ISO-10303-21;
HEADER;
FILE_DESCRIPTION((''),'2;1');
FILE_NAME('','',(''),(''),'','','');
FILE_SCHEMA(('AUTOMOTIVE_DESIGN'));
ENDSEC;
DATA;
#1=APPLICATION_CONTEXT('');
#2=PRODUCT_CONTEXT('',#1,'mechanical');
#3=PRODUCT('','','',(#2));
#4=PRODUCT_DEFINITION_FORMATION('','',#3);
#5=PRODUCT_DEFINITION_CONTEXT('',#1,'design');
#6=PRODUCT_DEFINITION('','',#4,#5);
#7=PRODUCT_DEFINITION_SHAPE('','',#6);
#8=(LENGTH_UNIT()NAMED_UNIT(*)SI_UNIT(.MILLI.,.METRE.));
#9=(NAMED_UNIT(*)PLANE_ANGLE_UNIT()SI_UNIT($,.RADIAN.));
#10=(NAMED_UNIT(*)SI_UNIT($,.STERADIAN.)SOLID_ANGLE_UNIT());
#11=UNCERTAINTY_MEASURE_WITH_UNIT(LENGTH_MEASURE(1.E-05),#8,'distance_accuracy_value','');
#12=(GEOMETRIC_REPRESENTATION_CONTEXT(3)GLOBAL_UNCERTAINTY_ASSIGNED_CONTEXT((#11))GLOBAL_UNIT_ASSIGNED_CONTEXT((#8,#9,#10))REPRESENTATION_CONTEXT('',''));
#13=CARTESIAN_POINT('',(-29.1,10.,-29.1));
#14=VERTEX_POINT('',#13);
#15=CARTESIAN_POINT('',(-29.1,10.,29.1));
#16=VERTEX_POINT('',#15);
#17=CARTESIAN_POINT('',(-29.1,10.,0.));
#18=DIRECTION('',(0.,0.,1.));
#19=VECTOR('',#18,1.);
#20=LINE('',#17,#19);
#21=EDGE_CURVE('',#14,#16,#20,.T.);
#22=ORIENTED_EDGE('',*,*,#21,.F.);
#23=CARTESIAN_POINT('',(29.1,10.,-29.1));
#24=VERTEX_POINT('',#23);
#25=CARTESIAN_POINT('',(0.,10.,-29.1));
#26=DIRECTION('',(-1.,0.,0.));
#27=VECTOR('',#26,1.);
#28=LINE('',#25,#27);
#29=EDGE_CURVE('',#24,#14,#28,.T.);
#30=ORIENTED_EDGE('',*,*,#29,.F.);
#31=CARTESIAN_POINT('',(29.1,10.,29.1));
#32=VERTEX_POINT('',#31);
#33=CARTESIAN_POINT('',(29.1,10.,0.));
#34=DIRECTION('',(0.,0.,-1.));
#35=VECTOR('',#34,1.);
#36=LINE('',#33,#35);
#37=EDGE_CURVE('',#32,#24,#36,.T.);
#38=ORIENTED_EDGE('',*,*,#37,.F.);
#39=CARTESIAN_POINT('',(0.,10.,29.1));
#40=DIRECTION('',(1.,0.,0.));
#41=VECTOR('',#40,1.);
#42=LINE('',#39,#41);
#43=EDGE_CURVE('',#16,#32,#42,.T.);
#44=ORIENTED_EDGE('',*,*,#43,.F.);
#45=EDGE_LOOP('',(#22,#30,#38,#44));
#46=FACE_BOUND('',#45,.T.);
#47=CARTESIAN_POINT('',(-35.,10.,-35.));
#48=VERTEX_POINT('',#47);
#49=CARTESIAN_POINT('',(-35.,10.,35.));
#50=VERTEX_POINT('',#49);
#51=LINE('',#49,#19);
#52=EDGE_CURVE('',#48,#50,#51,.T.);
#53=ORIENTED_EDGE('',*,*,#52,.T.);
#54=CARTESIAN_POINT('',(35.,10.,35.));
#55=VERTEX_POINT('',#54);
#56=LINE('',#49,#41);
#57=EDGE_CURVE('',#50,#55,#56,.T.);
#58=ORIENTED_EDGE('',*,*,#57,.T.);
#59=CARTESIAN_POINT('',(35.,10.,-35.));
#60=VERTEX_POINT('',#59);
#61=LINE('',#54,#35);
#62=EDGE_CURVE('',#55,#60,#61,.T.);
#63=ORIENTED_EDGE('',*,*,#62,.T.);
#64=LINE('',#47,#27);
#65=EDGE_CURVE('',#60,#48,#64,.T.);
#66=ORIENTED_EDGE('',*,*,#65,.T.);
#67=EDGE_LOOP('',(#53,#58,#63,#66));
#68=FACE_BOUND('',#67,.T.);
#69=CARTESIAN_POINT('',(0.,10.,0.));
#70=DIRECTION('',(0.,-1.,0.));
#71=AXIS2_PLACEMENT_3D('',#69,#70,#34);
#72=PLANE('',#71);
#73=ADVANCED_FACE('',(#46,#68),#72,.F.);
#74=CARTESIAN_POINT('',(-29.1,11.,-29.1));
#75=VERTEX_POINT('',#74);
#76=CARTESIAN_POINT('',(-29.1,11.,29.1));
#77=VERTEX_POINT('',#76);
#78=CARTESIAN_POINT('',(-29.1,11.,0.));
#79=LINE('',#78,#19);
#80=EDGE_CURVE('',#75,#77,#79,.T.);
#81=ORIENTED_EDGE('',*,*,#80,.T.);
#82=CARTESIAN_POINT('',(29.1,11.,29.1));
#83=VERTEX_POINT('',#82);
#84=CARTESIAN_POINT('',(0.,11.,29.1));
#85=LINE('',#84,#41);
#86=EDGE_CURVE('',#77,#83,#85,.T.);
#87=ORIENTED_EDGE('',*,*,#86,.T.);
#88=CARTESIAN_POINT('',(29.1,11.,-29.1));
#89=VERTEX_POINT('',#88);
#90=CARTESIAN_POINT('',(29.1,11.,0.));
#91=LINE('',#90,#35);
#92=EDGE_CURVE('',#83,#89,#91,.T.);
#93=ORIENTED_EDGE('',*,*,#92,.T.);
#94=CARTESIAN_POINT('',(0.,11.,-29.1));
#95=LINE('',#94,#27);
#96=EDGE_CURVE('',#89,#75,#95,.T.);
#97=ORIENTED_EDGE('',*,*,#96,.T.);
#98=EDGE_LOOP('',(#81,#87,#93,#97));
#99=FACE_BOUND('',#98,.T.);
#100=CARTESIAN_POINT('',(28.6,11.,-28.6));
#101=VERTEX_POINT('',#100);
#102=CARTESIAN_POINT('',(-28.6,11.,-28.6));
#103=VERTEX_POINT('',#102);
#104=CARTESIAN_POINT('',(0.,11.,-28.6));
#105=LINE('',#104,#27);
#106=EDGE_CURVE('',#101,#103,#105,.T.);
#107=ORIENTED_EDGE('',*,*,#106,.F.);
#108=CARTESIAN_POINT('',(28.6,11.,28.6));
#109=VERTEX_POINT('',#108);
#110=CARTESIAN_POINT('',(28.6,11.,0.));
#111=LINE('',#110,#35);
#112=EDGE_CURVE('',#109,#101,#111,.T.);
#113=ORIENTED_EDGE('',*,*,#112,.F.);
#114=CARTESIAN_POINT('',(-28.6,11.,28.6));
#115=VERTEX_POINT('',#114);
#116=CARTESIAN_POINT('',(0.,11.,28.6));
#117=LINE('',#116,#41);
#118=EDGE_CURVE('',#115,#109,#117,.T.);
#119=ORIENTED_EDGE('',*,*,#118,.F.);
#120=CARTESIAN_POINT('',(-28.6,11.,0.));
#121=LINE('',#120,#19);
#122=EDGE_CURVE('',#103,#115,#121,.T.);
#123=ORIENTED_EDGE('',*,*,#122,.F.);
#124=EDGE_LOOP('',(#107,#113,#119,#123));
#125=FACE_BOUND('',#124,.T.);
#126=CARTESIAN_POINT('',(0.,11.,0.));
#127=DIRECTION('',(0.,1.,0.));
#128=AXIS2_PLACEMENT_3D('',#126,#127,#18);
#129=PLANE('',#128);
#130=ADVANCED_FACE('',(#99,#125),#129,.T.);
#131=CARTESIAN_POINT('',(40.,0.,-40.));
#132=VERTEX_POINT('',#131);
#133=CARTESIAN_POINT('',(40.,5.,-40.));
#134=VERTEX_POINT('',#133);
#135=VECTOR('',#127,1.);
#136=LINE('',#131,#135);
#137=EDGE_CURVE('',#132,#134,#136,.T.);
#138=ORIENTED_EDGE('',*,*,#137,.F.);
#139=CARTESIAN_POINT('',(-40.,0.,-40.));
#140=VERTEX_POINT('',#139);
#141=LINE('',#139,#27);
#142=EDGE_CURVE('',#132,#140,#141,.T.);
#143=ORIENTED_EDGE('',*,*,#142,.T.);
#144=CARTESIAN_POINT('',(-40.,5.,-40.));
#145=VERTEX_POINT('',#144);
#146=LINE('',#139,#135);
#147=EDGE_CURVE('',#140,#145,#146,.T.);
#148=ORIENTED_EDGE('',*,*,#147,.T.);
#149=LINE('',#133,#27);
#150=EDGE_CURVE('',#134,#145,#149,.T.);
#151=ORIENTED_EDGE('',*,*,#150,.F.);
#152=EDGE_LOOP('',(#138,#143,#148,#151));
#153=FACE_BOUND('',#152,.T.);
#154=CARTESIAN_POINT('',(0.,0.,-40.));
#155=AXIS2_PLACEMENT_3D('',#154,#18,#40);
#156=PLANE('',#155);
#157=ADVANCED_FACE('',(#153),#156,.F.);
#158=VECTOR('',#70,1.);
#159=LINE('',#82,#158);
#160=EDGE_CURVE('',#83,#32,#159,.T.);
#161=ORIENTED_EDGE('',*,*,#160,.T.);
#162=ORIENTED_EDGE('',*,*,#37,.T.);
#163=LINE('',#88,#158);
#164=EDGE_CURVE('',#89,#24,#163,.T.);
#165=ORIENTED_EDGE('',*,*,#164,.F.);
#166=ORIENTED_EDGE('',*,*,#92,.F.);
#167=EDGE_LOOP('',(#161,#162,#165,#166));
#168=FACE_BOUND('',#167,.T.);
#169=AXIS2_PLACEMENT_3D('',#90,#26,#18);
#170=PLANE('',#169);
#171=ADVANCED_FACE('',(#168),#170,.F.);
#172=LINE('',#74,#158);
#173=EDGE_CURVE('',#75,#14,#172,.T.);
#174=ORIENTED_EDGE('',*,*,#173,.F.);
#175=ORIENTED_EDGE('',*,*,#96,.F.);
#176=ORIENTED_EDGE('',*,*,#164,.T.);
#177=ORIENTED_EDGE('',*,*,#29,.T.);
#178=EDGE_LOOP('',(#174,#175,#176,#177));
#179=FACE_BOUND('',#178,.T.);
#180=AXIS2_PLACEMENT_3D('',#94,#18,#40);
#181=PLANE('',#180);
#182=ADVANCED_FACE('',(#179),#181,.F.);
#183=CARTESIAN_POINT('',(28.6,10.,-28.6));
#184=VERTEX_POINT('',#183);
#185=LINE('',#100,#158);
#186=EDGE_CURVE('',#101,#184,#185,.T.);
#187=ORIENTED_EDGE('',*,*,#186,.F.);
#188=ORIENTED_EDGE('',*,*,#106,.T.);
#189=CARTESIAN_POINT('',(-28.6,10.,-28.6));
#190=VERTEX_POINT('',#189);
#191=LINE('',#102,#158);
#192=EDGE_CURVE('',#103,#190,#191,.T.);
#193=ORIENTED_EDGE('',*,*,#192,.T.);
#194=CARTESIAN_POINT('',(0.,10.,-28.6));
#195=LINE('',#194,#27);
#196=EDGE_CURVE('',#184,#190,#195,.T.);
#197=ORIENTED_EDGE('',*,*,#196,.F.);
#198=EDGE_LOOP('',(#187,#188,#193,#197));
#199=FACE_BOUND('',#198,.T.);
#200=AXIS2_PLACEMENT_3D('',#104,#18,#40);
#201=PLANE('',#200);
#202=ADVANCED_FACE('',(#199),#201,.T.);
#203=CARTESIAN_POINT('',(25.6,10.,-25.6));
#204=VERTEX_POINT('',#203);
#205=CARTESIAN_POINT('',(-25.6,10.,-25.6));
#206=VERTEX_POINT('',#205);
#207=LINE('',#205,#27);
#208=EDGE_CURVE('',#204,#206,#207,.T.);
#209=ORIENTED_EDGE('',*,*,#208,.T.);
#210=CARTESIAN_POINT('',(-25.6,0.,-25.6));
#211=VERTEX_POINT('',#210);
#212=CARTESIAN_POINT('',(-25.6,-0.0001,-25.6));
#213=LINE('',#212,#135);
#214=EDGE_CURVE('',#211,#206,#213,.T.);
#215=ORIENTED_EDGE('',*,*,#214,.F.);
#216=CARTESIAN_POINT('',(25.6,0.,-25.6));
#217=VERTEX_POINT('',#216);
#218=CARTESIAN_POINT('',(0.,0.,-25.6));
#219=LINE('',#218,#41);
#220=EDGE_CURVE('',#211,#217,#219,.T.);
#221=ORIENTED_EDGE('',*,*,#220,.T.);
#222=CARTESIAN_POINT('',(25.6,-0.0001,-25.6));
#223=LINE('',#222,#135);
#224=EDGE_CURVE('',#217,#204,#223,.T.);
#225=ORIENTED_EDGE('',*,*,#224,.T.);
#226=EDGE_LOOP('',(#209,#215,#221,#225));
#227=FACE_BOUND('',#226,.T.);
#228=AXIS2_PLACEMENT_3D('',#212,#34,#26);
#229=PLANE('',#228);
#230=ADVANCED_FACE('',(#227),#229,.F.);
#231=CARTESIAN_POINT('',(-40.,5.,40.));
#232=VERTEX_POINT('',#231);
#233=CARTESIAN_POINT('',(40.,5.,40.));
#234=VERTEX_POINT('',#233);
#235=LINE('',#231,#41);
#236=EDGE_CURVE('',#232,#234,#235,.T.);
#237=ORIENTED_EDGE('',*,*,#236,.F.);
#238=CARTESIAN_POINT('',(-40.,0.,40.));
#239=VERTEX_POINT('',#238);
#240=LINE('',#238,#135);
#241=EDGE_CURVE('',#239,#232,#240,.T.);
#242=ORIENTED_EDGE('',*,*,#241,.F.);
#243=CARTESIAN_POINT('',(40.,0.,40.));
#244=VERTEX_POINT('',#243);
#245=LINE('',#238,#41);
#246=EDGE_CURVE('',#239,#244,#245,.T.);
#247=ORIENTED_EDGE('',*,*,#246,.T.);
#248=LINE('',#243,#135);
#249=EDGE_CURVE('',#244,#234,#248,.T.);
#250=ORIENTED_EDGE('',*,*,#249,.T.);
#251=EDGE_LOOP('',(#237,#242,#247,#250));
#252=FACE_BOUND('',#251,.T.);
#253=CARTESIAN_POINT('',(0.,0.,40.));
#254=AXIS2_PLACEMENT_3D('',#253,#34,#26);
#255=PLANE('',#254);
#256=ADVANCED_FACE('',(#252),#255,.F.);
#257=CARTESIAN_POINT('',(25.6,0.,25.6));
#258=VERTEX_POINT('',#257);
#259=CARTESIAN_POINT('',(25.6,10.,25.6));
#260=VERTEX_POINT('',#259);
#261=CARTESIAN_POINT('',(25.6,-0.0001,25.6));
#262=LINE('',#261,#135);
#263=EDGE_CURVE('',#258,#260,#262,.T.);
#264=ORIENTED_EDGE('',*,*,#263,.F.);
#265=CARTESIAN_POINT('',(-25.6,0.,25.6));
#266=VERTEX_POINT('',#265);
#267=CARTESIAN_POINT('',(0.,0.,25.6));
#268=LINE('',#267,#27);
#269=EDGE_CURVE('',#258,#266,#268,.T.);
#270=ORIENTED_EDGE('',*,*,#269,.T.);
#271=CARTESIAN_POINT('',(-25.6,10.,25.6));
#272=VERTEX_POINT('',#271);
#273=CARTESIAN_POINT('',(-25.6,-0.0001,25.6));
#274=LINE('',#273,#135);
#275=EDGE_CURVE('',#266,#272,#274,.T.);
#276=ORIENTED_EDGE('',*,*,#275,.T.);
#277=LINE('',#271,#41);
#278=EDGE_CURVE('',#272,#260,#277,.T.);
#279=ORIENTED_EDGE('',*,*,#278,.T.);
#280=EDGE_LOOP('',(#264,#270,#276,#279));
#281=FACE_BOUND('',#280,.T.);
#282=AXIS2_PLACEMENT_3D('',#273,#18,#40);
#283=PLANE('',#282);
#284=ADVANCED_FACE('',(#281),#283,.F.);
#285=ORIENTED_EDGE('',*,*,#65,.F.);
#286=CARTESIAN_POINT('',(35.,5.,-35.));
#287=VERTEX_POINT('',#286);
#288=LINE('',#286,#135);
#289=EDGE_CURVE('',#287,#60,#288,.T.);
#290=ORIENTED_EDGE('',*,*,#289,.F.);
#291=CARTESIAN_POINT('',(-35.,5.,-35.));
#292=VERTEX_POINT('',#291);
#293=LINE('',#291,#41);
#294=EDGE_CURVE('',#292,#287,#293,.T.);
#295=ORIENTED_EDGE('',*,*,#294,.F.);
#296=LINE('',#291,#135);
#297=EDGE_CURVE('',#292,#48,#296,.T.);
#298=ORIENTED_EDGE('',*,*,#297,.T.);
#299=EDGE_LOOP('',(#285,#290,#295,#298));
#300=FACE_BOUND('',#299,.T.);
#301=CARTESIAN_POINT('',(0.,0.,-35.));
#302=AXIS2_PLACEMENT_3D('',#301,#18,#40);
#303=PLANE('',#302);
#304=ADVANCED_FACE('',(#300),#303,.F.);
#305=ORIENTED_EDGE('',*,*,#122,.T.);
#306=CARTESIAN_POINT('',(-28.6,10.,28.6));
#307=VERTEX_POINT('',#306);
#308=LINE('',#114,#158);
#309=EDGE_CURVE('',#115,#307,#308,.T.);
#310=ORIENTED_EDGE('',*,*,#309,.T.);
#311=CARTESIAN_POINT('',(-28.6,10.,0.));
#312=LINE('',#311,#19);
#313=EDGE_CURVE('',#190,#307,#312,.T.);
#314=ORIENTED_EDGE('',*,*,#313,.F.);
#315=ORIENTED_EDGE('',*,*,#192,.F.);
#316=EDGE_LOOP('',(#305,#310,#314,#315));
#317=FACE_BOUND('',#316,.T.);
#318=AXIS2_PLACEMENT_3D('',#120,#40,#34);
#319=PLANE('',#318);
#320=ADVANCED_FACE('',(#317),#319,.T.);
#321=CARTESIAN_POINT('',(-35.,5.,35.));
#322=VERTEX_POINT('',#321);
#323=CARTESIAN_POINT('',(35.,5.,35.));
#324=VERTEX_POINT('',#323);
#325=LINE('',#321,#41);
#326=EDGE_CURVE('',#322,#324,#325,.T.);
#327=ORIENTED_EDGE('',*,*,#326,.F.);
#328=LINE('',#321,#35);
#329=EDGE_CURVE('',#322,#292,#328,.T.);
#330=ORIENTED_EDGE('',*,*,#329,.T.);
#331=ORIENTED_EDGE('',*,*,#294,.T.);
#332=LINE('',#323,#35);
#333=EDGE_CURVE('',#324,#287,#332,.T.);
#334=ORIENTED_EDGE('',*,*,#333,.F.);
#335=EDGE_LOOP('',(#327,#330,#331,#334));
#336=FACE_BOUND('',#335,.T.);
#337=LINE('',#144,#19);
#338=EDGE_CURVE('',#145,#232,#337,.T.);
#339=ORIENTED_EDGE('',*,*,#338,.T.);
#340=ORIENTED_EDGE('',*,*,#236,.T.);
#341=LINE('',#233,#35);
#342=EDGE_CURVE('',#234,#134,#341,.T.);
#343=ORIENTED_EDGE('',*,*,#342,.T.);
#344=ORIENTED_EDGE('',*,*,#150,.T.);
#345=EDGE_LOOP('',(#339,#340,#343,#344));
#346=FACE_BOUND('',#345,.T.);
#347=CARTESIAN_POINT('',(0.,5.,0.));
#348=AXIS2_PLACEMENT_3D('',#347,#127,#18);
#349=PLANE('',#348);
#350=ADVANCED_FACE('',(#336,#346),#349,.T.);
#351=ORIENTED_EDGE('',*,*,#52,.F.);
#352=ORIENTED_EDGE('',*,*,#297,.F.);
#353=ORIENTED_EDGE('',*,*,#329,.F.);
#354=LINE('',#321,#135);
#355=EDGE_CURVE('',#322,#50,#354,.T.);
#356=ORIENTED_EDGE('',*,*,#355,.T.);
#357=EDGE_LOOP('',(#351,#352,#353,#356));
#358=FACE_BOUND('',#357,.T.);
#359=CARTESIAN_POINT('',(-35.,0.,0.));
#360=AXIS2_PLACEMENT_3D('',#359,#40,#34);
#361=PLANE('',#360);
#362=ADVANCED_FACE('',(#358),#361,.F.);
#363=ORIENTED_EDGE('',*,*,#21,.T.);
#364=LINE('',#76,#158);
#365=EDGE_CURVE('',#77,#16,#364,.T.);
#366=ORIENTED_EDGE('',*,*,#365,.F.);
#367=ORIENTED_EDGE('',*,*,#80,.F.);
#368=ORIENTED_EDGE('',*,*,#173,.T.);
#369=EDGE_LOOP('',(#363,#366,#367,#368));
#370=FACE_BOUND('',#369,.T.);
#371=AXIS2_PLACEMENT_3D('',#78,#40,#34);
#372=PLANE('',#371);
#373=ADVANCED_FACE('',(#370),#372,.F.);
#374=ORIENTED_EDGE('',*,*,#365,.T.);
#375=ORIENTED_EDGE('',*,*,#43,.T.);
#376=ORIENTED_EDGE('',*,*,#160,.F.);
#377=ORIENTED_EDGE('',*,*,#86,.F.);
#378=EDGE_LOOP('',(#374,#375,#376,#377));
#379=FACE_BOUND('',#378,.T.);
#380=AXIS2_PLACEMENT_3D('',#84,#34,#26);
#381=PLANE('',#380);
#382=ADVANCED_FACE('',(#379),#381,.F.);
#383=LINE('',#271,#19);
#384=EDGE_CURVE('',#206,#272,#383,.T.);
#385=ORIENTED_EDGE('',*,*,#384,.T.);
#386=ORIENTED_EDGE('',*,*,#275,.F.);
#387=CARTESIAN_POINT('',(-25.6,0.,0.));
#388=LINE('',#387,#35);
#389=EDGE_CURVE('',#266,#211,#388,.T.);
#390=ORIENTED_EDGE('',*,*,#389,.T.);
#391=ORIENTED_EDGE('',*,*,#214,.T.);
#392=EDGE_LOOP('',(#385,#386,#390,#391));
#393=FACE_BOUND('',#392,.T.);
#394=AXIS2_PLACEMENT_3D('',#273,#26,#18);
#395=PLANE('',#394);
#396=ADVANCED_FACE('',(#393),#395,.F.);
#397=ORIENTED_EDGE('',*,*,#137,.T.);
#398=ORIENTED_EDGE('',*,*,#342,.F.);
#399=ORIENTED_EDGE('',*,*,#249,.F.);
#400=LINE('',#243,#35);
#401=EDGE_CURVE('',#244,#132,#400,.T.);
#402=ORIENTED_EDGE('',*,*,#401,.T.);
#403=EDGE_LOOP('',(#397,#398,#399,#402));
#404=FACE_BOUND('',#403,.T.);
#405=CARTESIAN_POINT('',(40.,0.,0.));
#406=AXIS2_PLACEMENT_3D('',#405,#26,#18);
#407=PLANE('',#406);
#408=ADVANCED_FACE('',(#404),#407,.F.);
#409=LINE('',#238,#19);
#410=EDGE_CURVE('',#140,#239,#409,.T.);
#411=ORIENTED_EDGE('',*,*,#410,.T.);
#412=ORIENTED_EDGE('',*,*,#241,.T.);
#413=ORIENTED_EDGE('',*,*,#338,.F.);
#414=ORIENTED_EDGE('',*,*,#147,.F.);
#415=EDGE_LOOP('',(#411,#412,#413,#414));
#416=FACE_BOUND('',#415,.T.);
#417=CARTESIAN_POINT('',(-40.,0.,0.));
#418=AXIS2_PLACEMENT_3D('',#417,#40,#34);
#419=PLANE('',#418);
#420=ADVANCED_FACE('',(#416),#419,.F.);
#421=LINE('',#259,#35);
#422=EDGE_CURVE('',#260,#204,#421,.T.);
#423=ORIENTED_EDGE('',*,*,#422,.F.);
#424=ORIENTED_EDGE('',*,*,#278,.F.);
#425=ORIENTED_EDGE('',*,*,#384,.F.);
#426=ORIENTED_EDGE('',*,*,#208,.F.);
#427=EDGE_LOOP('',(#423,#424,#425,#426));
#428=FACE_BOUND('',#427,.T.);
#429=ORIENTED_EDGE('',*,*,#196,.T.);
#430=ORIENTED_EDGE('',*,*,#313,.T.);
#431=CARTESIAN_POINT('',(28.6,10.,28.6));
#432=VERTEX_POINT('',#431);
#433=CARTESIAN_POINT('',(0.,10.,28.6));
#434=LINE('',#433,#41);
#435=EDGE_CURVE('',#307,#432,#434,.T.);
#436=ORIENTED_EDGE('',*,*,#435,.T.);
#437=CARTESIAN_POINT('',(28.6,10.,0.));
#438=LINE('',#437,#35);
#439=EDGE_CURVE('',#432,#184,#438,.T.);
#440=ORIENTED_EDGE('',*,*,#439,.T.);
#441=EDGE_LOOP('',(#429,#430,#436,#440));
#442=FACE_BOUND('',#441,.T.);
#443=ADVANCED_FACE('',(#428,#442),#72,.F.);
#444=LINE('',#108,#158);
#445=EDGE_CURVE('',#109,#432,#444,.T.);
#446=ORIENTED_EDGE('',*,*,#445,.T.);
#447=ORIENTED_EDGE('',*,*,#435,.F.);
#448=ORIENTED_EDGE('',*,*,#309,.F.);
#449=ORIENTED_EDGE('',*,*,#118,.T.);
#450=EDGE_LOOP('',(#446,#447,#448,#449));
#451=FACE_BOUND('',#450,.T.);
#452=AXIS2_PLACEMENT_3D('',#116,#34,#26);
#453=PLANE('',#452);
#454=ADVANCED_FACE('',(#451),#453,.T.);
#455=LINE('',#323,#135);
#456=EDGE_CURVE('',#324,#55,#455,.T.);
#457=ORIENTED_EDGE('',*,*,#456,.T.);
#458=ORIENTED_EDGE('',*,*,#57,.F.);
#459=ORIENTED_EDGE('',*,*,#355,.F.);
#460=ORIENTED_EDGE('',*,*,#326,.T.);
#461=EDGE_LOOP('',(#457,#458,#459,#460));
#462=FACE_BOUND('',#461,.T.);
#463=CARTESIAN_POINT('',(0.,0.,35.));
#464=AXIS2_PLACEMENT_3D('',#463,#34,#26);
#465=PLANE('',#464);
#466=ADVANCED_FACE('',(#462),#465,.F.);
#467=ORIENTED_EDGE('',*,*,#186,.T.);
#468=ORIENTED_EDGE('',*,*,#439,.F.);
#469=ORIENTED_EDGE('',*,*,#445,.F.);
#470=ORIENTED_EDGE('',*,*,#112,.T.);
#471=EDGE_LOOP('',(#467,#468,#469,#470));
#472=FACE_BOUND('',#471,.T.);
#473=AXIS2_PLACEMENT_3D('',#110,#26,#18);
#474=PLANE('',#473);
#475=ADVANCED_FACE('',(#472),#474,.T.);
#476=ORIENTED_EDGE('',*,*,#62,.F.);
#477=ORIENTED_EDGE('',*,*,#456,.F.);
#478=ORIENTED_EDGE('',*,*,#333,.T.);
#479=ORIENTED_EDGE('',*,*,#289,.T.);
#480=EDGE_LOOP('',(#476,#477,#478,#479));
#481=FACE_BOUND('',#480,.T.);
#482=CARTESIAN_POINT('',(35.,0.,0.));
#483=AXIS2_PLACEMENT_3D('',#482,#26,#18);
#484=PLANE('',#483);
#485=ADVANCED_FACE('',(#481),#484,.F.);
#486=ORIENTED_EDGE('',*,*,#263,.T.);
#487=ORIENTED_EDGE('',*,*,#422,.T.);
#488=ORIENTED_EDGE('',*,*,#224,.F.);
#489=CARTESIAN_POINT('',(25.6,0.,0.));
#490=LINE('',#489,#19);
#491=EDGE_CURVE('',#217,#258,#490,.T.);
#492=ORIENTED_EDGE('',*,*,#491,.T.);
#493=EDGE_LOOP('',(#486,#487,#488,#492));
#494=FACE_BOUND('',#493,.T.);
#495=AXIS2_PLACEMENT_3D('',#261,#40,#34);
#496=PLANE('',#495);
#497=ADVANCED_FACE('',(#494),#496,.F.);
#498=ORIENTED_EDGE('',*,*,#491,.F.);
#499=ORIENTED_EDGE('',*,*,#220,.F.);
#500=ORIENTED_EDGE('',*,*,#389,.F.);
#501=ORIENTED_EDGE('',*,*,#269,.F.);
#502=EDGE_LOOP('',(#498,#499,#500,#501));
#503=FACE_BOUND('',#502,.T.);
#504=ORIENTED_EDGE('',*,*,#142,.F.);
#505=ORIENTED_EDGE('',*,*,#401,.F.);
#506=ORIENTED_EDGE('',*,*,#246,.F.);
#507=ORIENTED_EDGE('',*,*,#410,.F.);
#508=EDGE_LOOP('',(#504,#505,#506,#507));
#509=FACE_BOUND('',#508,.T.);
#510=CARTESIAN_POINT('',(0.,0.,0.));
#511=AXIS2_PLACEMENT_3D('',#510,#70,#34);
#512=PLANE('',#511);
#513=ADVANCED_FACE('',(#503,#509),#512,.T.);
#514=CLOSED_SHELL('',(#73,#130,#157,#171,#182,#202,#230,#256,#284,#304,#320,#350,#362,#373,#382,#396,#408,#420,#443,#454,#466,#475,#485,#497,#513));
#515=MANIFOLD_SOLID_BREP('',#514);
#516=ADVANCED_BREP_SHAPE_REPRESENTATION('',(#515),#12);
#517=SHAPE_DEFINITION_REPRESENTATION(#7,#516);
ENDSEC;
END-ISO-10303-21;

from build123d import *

# Parameters (mm, degrees)
SKETCH_4_W          = 51.2
SKETCH_4_H          = 51.2
CUT_EXTRUDE_1_DEPTH = 58.445626622
SKETCH_5_W          = 58.2
SKETCH_5_H          = 58.2
SKETCH_5_W_2        = 57.2
SKETCH_5_H_2        = 57.2
EXTRUDE_1_DEPTH     = 1


with BuildPart() as part:
    # Эскиз1 → По сечениям1 section 0
    with BuildSketch(Plane(origin=(0, 0, 0), x_dir=(1, 0, 0), z_dir=(0, 1, 0))):
        with BuildLine():
            Line((-40, -40), (40, -40))
            Line((40, -40), (40, 40))
            Line((40, 40), (-40, 40))
            Line((-40, 40), (-40, -40))
        make_face()
    # Эскиз2 → По сечениям1 section 1
    with BuildSketch(Plane(origin=(0, 5, 0), x_dir=(1, 0, 0), z_dir=(0, 1, 0))):
        with BuildLine():
            Line((-40, -40), (40, -40))
            Line((40, -40), (40, 40))
            Line((40, 40), (-40, 40))
            Line((-40, 40), (-40, -40))
        make_face()
    loft()

    # Эскиз2<3> → По сечениям2 section 0
    with BuildSketch(Plane(origin=(0, 5, 0), x_dir=(1, 0, 0), z_dir=(0, 1, 0))):
        with BuildLine():
            Line((-35, -35), (35, -35))
            Line((35, -35), (35, 35))
            Line((35, 35), (-35, 35))
            Line((-35, 35), (-35, -35))
        make_face()
    # Эскиз3 → По сечениям2 section 1
    with BuildSketch(Plane(origin=(0, 10, 0), x_dir=(1, 0, 0), z_dir=(0, 1, 0))):
        with BuildLine():
            Line((-35, -35), (35, -35))
            Line((35, -35), (35, 35))
            Line((35, 35), (-35, 35))
            Line((-35, 35), (-35, -35))
        make_face()
    loft()

    # Эскиз4 → Вырез-Вытянуть1 (cut, through all)
    with BuildSketch(Plane(origin=(0, 10, 0), x_dir=(1, 0, 0), z_dir=(0, 1, 0))):
        Rectangle(SKETCH_4_W, SKETCH_4_H)
    extrude(amount=-CUT_EXTRUDE_1_DEPTH, mode=Mode.SUBTRACT)

    # Эскиз5 → Бобышка-Вытянуть1 (add)
    with BuildSketch(Plane(origin=(0, 10, 0), x_dir=(1, 0, 0), z_dir=(0, 1, 0))):
        Rectangle(SKETCH_5_W, SKETCH_5_H)
        Rectangle(SKETCH_5_W_2, SKETCH_5_H_2, mode=Mode.SUBTRACT)
    extrude(amount=EXTRUDE_1_DEPTH)


solid = part.part
